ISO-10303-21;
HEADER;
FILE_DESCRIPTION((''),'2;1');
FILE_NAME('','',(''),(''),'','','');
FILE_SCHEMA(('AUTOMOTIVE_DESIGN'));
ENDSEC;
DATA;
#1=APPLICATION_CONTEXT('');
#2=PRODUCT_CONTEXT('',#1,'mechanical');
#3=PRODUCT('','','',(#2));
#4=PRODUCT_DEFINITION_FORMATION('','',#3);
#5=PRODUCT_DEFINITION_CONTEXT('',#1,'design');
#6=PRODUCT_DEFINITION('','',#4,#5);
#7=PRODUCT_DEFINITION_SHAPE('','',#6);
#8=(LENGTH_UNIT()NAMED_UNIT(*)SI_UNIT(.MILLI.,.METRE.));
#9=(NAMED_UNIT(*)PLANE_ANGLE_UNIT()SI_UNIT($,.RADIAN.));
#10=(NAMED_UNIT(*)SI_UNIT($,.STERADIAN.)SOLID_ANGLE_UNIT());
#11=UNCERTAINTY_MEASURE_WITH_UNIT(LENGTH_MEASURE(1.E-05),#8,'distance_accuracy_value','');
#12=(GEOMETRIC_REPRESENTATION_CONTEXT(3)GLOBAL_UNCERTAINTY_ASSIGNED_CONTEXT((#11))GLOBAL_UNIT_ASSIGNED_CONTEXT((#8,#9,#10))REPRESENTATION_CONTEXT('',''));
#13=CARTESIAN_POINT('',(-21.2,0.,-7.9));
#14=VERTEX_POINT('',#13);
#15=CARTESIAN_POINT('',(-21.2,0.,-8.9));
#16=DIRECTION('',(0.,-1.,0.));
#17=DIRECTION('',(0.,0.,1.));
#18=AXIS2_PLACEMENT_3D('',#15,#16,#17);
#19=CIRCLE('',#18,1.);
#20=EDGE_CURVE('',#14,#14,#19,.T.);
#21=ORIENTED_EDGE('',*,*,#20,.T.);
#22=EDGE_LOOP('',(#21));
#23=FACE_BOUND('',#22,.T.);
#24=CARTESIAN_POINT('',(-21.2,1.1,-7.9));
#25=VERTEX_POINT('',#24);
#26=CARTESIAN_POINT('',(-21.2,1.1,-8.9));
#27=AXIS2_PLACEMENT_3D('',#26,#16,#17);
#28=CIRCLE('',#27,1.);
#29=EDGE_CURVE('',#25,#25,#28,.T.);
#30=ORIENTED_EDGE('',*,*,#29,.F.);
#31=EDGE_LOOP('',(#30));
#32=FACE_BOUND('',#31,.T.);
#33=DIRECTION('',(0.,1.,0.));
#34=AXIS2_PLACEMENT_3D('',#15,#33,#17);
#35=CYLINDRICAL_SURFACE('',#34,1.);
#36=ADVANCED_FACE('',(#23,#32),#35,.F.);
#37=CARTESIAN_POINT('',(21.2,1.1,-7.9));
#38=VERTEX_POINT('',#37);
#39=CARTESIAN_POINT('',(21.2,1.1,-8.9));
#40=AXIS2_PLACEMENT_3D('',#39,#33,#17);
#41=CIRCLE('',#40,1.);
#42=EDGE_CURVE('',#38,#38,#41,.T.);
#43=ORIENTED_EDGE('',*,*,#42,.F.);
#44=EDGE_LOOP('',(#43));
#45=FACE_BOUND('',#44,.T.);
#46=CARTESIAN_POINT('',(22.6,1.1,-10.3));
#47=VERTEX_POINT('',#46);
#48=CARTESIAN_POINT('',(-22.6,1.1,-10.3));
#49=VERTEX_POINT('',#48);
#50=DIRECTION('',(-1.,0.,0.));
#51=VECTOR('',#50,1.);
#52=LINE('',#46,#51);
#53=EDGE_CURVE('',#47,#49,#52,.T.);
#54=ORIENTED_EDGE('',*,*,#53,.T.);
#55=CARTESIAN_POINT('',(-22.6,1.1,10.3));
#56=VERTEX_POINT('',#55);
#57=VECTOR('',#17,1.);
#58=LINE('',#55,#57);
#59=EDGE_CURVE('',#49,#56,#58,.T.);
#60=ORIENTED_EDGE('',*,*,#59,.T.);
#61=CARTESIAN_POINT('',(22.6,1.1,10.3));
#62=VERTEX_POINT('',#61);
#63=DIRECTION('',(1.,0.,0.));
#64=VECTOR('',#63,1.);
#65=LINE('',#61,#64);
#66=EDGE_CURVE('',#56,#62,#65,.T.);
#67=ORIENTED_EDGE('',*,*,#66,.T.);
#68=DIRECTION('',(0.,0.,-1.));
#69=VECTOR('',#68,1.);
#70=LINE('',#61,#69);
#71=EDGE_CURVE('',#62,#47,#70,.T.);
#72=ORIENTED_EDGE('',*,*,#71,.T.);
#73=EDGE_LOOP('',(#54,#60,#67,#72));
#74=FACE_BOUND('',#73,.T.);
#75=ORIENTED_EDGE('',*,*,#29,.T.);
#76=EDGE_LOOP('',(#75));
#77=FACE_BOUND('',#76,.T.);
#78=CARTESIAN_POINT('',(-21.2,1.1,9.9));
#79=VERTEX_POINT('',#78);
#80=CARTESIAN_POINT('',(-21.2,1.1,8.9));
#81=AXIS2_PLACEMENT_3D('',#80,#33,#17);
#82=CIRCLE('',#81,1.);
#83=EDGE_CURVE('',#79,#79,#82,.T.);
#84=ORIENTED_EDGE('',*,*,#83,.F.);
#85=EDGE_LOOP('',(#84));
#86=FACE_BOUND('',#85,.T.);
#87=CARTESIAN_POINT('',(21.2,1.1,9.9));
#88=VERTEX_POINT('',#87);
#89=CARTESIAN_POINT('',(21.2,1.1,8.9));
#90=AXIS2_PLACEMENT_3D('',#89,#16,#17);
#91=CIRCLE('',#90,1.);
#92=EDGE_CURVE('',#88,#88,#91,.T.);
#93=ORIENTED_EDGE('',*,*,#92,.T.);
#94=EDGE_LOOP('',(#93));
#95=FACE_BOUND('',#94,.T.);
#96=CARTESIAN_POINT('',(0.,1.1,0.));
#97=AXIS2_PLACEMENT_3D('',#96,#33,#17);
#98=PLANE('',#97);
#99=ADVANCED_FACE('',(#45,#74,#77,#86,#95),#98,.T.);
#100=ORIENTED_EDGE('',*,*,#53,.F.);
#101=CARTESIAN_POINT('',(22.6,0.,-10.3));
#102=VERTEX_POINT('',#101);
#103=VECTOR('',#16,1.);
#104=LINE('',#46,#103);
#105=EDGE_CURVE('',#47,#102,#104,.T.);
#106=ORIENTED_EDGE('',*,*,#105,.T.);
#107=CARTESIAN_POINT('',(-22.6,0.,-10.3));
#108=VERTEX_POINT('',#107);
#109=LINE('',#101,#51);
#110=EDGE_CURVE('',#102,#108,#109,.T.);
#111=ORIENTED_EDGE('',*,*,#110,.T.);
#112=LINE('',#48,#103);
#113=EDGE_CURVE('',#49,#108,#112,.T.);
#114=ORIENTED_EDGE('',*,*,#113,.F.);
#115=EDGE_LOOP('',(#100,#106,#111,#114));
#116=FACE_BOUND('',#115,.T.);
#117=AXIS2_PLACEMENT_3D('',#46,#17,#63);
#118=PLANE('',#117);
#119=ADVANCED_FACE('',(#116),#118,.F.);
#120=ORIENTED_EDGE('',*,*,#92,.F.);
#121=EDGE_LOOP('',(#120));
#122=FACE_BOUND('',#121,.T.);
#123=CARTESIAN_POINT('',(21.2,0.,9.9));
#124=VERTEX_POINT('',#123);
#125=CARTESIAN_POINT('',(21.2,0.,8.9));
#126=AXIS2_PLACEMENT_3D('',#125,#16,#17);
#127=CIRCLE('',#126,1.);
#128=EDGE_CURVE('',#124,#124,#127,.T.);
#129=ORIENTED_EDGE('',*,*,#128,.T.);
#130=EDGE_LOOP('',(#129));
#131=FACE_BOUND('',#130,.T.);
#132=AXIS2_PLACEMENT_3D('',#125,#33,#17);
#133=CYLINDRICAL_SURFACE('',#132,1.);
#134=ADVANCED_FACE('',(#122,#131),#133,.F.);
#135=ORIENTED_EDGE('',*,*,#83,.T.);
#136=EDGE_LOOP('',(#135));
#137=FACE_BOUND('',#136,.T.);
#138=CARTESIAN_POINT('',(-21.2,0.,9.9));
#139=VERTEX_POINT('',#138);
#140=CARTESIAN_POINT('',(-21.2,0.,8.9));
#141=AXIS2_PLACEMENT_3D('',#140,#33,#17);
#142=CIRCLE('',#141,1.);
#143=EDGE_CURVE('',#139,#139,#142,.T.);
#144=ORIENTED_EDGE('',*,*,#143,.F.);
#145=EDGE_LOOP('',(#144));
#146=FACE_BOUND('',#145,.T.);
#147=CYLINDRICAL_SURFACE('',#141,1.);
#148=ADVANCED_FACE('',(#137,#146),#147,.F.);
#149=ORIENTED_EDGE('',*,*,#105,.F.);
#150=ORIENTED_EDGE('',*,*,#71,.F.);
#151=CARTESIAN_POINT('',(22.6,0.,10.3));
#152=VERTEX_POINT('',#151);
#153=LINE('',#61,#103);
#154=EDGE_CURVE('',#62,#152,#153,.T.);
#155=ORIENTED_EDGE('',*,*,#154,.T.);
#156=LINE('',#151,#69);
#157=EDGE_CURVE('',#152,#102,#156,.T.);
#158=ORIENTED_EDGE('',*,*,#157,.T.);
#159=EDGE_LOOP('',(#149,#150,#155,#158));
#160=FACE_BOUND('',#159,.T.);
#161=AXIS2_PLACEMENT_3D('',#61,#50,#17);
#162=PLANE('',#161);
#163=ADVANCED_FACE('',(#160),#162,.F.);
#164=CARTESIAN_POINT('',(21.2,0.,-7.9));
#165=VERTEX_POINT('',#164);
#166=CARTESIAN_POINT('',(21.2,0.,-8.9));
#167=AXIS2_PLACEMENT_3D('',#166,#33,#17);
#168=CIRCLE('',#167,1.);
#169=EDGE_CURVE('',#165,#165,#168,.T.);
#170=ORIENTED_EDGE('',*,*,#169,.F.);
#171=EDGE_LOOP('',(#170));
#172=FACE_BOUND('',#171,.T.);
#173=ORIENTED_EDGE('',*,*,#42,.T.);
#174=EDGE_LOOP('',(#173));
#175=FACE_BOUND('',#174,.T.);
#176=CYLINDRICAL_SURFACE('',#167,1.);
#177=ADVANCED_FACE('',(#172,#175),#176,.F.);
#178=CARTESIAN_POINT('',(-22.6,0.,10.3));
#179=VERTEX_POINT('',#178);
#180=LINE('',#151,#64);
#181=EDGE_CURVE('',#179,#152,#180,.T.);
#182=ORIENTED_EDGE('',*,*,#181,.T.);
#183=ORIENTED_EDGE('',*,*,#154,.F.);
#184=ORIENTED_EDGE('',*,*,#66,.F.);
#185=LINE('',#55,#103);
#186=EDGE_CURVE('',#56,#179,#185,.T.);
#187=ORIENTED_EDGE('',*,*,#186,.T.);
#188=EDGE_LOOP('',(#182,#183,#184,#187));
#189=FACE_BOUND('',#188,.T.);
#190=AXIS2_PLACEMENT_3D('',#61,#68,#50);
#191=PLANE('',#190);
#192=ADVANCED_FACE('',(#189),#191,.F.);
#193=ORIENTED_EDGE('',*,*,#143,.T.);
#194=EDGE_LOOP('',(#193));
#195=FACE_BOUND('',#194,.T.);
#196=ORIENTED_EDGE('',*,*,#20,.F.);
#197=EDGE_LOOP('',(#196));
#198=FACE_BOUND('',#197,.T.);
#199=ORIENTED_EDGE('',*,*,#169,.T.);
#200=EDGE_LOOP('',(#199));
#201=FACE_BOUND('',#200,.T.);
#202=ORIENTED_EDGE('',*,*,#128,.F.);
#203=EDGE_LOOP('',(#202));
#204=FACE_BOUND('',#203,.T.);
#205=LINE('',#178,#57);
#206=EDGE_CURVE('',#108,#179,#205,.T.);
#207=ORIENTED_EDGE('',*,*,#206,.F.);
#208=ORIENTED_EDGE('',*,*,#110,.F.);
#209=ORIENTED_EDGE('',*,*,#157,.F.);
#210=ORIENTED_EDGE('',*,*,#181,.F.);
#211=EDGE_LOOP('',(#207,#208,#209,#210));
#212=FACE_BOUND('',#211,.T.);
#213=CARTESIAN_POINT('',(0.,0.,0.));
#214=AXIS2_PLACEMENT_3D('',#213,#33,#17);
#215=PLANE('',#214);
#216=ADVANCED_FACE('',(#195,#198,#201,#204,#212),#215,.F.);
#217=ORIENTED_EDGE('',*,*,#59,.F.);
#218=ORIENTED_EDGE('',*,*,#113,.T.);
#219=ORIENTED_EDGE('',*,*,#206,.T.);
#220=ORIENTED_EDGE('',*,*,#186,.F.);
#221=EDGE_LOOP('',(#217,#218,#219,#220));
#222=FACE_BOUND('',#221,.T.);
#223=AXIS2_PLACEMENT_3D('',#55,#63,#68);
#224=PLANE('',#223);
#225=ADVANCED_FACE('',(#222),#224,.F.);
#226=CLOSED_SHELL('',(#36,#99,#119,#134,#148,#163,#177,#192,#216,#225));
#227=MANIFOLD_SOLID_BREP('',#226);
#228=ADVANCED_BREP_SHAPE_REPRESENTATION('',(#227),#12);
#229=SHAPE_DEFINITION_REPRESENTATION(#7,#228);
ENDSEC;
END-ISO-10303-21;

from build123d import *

# Parameters (mm, degrees)
SKETCH1_W           = 45.2
SKETCH1_H           = 20.6
BOSS_EXTRUDE1_DEPTH = 1.1
SKETCH18_R          = 1
CUT_EXTRUDE4_DEPTH  = 25.860812537


with BuildPart() as part:
    # Sketch1 → Boss-Extrude1 (new body)
    with BuildSketch(Plane(origin=(0, 0, 0), x_dir=(1, 0, 0), z_dir=(0, 1, 0))):
        Rectangle(SKETCH1_W, SKETCH1_H)
    extrude(amount=BOSS_EXTRUDE1_DEPTH)

    # Sketch18 → Cut-Extrude4 (cut, through all)
    with BuildSketch(Plane(origin=(0, 1.1, 0), x_dir=(1, 0, 0), z_dir=(0, 1, 0))):
        with Locations(Location((-21.2, -8.9, 0), (0, 0, 270))):
            Circle(SKETCH18_R)
        with Locations(Location((21.2, 8.9, 0), (0, 0, 270))):
            Circle(SKETCH18_R)
    cut_extrude4 = extrude(amount=-CUT_EXTRUDE4_DEPTH, mode=Mode.SUBTRACT)

    # Mirror1: Cut-Extrude4 across plane
    add(cut_extrude4.mirror(Plane(origin=(0, 0, 0), x_dir=(0, 0, 1), z_dir=(1, 0, 0))), mode=Mode.SUBTRACT)


solid = part.part
